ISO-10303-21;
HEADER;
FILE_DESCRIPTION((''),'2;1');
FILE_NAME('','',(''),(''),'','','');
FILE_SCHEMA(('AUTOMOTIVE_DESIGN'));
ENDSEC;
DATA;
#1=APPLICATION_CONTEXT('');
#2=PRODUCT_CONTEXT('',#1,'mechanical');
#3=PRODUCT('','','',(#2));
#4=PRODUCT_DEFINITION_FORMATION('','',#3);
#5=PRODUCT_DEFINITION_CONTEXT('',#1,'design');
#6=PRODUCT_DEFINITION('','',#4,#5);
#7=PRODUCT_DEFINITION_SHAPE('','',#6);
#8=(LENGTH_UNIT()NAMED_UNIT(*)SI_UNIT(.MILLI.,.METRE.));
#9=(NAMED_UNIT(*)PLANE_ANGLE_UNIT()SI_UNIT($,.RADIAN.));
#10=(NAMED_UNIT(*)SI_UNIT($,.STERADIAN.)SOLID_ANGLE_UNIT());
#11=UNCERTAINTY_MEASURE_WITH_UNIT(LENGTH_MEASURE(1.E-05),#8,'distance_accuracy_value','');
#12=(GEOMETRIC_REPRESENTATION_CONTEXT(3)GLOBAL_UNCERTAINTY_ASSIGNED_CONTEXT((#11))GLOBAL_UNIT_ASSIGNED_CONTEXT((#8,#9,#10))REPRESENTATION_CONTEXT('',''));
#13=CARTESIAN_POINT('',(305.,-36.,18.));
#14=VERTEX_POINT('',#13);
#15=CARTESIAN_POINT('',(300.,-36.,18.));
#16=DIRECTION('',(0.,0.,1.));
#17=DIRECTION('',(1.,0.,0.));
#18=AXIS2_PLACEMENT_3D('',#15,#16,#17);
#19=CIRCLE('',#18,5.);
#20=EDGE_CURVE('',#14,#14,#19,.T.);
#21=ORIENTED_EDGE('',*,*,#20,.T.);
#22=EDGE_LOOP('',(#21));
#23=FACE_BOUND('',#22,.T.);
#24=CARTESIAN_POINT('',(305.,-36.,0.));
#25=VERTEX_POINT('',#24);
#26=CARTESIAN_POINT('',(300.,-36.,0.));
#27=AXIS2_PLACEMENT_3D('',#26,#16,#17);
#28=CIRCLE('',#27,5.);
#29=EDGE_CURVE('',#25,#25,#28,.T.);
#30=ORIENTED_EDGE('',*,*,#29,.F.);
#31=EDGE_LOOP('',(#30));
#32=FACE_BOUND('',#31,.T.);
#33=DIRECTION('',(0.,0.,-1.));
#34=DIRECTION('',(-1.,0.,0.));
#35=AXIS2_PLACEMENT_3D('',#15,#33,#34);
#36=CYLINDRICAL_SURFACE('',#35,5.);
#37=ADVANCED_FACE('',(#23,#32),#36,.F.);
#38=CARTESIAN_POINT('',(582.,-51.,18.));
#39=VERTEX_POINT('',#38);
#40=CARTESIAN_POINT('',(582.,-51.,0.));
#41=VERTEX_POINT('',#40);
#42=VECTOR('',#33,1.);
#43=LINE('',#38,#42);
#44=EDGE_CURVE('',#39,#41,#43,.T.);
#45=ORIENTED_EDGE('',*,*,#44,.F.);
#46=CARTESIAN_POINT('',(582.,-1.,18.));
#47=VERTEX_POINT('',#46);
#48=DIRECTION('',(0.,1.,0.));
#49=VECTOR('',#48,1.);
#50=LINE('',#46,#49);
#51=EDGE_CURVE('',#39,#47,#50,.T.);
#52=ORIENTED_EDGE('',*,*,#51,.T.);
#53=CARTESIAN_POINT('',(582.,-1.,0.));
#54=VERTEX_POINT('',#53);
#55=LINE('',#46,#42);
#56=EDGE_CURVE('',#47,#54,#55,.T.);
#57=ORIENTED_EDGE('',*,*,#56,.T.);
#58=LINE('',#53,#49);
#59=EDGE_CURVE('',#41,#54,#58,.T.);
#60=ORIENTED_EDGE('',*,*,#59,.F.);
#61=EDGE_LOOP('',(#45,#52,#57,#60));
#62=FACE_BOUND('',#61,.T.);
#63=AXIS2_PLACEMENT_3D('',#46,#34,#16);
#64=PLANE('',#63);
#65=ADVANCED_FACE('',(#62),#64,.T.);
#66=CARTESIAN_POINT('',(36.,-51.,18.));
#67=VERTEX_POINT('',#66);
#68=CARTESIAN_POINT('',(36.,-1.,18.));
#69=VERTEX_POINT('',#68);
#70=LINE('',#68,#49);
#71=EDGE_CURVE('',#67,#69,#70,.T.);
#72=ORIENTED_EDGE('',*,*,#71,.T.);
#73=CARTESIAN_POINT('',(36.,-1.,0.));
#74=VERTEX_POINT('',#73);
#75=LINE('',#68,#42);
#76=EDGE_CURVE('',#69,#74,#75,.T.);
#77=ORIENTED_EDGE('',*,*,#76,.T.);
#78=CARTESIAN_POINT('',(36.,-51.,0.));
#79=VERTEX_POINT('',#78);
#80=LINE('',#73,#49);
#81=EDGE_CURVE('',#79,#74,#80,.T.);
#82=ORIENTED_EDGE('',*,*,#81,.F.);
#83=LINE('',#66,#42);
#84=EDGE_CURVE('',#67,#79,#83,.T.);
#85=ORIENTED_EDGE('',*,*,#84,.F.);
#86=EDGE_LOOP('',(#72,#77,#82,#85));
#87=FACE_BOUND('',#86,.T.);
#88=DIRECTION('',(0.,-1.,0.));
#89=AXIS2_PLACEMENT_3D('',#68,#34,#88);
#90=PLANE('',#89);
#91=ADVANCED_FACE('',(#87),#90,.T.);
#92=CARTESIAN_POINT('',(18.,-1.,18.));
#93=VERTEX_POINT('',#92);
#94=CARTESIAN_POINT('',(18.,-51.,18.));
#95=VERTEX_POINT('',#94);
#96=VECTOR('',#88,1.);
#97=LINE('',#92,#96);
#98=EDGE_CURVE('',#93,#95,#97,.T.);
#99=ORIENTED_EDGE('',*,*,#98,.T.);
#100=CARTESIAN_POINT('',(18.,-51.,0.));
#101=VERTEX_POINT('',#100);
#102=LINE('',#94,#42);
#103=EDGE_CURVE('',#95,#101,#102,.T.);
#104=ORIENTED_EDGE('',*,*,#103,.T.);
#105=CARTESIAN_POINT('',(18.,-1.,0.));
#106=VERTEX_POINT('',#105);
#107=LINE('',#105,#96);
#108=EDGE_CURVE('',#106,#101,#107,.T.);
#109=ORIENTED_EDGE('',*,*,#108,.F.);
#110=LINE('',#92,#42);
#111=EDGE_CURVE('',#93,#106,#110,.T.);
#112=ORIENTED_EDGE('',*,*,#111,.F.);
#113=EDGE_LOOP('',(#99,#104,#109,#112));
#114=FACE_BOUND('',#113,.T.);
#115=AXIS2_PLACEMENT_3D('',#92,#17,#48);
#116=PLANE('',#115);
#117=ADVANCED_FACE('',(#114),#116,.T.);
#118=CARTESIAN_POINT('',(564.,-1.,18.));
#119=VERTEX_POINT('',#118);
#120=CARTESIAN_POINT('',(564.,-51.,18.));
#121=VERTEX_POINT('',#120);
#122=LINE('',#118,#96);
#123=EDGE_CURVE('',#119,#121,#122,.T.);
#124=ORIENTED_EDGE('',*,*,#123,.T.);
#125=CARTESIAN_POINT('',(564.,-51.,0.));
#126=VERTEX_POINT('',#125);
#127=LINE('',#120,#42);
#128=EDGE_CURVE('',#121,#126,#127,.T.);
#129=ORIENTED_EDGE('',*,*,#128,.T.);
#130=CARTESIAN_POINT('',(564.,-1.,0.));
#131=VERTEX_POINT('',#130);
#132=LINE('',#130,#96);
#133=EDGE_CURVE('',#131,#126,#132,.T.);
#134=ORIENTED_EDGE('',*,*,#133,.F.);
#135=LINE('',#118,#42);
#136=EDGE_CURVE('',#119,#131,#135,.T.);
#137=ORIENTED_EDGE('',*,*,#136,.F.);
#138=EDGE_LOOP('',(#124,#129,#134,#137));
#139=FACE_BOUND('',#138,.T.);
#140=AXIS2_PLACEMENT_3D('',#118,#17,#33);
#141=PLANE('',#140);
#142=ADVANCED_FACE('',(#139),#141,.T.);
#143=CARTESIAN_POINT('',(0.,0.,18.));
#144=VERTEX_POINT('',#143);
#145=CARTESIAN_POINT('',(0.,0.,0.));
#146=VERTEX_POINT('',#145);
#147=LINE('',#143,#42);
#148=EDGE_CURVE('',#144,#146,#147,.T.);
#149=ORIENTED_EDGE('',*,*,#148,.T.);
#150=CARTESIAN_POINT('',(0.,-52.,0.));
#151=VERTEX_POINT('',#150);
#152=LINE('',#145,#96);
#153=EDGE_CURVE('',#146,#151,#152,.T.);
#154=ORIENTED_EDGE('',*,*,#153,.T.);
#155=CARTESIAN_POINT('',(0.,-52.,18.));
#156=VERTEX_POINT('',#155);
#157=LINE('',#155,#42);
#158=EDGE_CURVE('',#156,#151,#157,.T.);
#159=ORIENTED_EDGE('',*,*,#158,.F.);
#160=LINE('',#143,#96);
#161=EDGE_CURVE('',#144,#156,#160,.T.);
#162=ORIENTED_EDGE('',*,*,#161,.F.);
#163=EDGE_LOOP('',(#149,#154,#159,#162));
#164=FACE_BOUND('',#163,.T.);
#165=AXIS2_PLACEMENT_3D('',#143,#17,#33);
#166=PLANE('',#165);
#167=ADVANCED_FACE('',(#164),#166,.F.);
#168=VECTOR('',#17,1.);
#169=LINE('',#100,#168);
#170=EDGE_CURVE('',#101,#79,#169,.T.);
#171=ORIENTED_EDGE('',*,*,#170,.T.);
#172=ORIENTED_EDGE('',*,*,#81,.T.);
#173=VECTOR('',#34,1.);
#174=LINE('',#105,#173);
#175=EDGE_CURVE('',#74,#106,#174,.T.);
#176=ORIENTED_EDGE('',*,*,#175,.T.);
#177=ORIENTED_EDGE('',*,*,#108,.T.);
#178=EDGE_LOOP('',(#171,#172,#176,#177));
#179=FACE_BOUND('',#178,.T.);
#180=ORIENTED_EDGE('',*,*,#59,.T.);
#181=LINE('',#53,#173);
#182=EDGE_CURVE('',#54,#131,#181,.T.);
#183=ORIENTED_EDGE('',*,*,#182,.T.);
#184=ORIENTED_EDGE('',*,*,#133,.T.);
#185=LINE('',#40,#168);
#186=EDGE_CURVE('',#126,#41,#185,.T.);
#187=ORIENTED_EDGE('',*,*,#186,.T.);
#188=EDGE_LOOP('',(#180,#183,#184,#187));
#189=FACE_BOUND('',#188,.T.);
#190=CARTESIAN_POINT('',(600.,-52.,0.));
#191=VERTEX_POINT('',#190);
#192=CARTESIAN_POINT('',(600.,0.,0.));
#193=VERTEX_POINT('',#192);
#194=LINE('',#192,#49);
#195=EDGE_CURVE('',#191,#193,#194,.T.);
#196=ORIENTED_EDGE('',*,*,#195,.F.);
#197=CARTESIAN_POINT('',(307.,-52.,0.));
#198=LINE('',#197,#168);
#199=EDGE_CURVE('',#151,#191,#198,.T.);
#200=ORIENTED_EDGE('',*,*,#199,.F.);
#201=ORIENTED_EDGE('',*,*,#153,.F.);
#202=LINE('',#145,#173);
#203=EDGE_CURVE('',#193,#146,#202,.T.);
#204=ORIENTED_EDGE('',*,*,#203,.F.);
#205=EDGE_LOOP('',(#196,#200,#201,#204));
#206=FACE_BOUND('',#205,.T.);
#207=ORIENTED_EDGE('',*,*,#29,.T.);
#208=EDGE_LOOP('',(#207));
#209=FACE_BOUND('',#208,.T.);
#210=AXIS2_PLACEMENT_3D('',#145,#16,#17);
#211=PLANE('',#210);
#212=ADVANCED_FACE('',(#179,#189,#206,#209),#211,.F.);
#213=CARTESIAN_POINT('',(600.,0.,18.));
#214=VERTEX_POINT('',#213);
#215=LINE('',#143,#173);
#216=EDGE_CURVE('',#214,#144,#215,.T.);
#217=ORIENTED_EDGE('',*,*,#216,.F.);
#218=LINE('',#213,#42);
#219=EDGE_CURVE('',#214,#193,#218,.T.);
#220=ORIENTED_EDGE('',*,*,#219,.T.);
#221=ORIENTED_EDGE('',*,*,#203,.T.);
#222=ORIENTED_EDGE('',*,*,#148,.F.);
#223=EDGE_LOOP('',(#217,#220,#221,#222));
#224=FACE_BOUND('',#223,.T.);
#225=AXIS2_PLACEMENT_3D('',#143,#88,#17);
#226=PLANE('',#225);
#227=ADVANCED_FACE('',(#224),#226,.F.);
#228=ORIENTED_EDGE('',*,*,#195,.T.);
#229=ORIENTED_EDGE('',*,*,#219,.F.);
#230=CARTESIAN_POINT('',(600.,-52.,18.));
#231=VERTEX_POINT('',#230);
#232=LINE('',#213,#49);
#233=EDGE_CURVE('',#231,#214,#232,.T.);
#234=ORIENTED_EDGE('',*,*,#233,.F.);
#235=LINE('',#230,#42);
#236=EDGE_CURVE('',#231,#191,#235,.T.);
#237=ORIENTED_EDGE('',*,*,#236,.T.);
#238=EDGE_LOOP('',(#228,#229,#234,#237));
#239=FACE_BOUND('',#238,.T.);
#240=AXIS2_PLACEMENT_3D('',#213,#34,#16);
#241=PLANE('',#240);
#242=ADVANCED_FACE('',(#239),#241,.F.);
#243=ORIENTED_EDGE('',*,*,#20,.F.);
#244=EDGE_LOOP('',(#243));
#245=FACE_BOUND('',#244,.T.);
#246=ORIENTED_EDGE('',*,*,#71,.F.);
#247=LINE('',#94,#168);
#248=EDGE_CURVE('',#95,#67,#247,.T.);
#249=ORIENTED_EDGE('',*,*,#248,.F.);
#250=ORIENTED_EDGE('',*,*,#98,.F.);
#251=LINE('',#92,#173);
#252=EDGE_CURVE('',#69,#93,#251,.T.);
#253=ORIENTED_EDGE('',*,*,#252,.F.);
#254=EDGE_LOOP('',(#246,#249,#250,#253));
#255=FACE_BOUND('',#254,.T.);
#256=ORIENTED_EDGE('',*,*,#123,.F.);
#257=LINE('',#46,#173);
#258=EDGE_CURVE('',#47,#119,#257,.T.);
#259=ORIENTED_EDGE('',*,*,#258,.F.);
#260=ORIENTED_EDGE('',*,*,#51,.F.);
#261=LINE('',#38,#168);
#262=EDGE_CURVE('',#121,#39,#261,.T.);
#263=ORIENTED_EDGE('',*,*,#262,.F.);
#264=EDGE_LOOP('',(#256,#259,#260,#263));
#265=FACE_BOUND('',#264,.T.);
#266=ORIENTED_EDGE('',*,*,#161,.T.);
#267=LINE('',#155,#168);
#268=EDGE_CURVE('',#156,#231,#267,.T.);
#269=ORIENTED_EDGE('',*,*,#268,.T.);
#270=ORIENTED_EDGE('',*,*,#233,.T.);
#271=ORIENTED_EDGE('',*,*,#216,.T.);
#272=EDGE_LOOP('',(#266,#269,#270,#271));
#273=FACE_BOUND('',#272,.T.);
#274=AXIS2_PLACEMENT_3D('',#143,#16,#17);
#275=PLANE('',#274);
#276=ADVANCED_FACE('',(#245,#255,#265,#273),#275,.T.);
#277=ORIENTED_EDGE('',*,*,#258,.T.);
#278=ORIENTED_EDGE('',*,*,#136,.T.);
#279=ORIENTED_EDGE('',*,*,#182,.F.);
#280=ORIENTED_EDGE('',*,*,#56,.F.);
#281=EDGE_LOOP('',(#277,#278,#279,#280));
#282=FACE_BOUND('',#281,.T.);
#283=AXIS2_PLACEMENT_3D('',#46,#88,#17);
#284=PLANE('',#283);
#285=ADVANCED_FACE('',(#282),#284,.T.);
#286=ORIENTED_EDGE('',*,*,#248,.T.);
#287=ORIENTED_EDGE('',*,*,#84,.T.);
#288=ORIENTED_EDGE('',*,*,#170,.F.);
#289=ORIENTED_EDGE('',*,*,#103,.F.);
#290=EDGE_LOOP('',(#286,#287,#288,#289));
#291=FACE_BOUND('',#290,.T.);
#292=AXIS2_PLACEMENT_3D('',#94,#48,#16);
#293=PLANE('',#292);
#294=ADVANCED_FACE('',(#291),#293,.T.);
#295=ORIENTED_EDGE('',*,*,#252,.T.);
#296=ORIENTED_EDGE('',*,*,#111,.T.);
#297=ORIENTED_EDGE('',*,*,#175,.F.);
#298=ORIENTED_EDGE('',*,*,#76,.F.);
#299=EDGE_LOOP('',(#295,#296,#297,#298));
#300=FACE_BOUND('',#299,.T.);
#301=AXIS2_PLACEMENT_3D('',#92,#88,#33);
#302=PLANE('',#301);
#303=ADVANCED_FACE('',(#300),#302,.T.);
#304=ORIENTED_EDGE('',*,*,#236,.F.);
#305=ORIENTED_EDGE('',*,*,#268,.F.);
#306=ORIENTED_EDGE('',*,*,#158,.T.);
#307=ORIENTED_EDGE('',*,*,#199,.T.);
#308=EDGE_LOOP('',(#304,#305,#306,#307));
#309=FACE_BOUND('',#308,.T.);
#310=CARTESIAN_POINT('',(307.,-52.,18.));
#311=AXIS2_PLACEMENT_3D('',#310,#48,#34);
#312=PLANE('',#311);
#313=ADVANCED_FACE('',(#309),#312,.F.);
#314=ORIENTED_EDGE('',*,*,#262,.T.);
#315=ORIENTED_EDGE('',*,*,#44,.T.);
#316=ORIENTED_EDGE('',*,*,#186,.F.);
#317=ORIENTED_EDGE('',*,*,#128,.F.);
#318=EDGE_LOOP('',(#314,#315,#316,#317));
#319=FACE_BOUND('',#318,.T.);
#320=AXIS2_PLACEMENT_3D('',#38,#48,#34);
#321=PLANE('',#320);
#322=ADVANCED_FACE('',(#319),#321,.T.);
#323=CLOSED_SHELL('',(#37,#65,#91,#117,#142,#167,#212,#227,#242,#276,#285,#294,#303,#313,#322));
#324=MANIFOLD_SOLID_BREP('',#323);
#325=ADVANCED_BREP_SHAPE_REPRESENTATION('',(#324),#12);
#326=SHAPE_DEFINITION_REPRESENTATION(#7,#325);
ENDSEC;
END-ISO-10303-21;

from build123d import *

# Parameters (mm, degrees)
SKETCH1_R           = 5
SKETCH1_W           = 18
SKETCH1_H           = 50
BOSS_EXTRUDE1_DEPTH = 18


with BuildPart() as part:
    # Sketch1 → Boss-Extrude1 (new body)
    with BuildSketch(Plane.XY):
        Polygon((0, 0), (600, 0), (600, -52), (307, -52), (257, -52), (0, -52), align=None)
        with Locations((300, -36)):
            Circle(SKETCH1_R, mode=Mode.SUBTRACT)
        with Locations((573, -26)):
            Rectangle(SKETCH1_W, SKETCH1_H, mode=Mode.SUBTRACT)
        with Locations((27, -26)):
            Rectangle(SKETCH1_W, SKETCH1_H, mode=Mode.SUBTRACT)
    extrude(amount=BOSS_EXTRUDE1_DEPTH)


solid = part.part
